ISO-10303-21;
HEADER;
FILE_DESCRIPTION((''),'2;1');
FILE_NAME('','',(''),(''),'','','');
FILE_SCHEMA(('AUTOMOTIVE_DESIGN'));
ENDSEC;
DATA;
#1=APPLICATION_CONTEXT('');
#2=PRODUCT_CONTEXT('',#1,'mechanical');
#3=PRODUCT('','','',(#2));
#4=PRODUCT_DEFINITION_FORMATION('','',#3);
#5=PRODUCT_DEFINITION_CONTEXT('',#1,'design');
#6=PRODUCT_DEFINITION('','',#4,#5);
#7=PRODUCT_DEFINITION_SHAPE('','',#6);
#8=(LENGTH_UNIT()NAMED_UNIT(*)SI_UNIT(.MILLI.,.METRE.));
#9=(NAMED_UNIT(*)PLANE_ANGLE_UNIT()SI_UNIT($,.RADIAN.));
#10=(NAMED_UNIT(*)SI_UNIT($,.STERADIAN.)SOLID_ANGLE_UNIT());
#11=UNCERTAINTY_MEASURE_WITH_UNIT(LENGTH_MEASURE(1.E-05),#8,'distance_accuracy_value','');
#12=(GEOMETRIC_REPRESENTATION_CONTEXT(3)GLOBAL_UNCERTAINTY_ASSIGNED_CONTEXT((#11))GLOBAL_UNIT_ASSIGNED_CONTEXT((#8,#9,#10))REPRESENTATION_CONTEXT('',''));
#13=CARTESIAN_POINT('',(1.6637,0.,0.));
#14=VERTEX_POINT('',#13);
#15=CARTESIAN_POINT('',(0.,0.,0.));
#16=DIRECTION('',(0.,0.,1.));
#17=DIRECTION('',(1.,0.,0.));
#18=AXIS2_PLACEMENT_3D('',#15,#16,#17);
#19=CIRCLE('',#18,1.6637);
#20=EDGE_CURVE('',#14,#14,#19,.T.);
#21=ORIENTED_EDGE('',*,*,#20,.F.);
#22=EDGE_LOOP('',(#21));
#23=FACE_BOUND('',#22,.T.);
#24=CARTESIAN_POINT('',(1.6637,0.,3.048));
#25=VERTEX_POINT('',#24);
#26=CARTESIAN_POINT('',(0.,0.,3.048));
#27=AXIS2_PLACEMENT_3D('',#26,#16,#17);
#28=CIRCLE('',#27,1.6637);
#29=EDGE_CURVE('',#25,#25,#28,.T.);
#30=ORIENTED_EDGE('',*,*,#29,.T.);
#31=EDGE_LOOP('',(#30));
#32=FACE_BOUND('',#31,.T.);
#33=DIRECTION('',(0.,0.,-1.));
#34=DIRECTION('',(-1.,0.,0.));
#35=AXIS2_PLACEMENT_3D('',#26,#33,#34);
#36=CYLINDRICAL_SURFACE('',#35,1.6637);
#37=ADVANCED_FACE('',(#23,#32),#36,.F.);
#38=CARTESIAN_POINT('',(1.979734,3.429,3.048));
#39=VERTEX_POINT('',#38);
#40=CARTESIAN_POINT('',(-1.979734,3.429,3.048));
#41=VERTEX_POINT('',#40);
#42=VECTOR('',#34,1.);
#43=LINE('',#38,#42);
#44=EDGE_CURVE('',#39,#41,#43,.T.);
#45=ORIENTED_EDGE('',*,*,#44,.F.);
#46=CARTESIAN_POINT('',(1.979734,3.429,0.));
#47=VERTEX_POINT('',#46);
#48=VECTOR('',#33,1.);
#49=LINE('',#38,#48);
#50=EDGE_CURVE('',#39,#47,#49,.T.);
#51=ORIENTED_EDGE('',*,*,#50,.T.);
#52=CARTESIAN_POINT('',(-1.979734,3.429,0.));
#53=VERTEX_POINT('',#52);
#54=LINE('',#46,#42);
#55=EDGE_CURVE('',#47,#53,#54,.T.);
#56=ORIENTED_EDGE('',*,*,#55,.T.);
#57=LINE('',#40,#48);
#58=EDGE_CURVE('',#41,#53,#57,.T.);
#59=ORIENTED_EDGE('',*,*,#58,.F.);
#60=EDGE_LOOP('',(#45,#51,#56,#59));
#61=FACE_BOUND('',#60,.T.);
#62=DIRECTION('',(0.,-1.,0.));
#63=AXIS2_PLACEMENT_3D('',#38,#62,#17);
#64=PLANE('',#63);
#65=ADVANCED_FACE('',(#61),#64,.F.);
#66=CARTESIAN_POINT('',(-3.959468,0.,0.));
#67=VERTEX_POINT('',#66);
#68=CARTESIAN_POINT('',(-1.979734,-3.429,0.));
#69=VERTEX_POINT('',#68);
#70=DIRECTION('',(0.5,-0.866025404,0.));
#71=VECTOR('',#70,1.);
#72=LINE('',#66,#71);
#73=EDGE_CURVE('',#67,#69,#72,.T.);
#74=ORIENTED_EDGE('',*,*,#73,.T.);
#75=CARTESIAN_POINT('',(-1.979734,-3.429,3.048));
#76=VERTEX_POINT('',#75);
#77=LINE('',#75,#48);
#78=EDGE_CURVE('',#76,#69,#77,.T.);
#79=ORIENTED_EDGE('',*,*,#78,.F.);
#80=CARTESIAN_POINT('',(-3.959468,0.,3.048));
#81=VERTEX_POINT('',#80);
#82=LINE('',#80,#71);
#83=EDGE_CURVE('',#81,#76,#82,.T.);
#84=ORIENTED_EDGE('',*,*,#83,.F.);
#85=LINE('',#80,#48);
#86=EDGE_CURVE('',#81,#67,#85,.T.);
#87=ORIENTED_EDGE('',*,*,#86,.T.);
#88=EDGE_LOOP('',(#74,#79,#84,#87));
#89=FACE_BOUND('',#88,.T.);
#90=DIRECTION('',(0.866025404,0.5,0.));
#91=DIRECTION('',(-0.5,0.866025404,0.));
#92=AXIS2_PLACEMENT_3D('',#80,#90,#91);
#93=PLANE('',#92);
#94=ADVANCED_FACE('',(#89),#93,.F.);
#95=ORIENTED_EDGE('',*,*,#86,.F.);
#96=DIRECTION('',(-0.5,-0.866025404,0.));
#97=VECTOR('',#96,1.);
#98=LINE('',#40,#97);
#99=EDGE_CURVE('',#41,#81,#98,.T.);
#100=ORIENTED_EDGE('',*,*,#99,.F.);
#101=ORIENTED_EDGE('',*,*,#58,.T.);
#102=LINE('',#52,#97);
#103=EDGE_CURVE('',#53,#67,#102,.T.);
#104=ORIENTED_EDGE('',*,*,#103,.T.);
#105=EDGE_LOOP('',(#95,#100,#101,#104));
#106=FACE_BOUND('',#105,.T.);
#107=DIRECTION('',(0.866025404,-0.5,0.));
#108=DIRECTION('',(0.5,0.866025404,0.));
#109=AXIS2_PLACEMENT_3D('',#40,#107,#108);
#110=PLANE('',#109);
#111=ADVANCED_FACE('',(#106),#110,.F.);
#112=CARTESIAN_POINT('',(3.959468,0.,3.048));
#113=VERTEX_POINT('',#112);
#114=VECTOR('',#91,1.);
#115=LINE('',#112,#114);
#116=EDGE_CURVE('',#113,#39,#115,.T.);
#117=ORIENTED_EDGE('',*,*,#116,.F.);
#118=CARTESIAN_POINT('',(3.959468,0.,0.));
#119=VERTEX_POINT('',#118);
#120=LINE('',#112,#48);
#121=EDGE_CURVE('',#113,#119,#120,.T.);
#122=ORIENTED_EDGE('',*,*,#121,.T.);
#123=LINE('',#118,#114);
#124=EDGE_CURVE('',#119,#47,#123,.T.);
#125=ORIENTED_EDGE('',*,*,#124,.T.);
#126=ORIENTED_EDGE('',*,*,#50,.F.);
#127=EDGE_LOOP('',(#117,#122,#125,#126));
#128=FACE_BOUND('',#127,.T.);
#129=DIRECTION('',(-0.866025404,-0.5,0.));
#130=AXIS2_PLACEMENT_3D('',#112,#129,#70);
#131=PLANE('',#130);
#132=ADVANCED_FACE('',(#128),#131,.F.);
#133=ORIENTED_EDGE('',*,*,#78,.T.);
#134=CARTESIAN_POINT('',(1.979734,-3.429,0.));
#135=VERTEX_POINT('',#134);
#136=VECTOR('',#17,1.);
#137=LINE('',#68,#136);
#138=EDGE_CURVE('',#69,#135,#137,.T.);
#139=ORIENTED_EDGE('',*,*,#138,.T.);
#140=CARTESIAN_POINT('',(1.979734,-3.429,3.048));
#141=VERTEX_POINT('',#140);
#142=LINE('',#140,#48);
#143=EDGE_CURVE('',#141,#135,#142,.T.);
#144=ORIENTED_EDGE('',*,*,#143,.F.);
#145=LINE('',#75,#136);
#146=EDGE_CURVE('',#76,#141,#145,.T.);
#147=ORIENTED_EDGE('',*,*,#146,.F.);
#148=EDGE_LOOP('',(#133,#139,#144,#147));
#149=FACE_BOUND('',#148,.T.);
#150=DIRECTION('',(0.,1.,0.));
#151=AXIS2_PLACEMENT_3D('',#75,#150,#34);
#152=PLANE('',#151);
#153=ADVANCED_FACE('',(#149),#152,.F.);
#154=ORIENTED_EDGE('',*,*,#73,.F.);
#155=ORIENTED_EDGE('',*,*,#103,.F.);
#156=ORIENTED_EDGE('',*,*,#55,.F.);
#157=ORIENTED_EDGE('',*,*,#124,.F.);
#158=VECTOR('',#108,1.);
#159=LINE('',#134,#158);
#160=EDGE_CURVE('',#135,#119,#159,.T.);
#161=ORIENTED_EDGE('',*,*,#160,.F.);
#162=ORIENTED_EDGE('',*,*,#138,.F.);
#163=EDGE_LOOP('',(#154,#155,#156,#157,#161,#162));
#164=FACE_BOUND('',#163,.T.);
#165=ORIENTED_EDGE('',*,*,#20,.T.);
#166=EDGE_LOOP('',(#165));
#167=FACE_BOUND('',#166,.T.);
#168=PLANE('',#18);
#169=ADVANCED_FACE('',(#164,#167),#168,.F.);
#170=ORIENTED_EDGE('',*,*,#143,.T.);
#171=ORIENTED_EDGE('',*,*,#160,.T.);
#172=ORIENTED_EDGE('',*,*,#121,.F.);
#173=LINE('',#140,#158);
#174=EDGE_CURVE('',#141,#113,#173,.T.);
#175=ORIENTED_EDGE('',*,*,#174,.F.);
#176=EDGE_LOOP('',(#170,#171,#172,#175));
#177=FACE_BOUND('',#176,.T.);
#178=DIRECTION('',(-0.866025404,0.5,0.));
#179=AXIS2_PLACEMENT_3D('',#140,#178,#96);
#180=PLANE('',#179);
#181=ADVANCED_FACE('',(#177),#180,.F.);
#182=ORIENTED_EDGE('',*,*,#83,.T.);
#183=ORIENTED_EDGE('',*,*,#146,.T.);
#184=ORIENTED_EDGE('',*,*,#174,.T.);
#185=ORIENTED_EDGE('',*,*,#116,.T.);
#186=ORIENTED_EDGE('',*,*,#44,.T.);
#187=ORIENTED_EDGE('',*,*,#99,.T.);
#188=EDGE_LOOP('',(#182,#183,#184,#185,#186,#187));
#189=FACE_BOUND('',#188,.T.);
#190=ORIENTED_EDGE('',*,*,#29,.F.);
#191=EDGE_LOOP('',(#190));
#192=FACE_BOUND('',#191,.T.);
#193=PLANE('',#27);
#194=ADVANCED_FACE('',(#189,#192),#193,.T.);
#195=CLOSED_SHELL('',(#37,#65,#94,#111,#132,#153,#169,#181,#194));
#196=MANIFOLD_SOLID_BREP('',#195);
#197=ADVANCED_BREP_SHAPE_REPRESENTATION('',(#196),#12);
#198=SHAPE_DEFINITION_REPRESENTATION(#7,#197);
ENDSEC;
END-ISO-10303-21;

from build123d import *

# Parameters (mm, degrees)
SKETCH1_R           = 1.6637
BOSS_EXTRUDE1_DEPTH = 3.048


with BuildPart() as part:
    # Sketch1 → Boss-Extrude1 (new body)
    with BuildSketch(Plane.XY):
        Polygon((3.959468146, 0), (1.979734073, 3.429), (-1.979734073, 3.429), (-3.959468146, 0), (-1.979734073, -3.429), (1.979734073, -3.429), align=None)
        Circle(SKETCH1_R, mode=Mode.SUBTRACT)
    extrude(amount=BOSS_EXTRUDE1_DEPTH)


solid = part.part
